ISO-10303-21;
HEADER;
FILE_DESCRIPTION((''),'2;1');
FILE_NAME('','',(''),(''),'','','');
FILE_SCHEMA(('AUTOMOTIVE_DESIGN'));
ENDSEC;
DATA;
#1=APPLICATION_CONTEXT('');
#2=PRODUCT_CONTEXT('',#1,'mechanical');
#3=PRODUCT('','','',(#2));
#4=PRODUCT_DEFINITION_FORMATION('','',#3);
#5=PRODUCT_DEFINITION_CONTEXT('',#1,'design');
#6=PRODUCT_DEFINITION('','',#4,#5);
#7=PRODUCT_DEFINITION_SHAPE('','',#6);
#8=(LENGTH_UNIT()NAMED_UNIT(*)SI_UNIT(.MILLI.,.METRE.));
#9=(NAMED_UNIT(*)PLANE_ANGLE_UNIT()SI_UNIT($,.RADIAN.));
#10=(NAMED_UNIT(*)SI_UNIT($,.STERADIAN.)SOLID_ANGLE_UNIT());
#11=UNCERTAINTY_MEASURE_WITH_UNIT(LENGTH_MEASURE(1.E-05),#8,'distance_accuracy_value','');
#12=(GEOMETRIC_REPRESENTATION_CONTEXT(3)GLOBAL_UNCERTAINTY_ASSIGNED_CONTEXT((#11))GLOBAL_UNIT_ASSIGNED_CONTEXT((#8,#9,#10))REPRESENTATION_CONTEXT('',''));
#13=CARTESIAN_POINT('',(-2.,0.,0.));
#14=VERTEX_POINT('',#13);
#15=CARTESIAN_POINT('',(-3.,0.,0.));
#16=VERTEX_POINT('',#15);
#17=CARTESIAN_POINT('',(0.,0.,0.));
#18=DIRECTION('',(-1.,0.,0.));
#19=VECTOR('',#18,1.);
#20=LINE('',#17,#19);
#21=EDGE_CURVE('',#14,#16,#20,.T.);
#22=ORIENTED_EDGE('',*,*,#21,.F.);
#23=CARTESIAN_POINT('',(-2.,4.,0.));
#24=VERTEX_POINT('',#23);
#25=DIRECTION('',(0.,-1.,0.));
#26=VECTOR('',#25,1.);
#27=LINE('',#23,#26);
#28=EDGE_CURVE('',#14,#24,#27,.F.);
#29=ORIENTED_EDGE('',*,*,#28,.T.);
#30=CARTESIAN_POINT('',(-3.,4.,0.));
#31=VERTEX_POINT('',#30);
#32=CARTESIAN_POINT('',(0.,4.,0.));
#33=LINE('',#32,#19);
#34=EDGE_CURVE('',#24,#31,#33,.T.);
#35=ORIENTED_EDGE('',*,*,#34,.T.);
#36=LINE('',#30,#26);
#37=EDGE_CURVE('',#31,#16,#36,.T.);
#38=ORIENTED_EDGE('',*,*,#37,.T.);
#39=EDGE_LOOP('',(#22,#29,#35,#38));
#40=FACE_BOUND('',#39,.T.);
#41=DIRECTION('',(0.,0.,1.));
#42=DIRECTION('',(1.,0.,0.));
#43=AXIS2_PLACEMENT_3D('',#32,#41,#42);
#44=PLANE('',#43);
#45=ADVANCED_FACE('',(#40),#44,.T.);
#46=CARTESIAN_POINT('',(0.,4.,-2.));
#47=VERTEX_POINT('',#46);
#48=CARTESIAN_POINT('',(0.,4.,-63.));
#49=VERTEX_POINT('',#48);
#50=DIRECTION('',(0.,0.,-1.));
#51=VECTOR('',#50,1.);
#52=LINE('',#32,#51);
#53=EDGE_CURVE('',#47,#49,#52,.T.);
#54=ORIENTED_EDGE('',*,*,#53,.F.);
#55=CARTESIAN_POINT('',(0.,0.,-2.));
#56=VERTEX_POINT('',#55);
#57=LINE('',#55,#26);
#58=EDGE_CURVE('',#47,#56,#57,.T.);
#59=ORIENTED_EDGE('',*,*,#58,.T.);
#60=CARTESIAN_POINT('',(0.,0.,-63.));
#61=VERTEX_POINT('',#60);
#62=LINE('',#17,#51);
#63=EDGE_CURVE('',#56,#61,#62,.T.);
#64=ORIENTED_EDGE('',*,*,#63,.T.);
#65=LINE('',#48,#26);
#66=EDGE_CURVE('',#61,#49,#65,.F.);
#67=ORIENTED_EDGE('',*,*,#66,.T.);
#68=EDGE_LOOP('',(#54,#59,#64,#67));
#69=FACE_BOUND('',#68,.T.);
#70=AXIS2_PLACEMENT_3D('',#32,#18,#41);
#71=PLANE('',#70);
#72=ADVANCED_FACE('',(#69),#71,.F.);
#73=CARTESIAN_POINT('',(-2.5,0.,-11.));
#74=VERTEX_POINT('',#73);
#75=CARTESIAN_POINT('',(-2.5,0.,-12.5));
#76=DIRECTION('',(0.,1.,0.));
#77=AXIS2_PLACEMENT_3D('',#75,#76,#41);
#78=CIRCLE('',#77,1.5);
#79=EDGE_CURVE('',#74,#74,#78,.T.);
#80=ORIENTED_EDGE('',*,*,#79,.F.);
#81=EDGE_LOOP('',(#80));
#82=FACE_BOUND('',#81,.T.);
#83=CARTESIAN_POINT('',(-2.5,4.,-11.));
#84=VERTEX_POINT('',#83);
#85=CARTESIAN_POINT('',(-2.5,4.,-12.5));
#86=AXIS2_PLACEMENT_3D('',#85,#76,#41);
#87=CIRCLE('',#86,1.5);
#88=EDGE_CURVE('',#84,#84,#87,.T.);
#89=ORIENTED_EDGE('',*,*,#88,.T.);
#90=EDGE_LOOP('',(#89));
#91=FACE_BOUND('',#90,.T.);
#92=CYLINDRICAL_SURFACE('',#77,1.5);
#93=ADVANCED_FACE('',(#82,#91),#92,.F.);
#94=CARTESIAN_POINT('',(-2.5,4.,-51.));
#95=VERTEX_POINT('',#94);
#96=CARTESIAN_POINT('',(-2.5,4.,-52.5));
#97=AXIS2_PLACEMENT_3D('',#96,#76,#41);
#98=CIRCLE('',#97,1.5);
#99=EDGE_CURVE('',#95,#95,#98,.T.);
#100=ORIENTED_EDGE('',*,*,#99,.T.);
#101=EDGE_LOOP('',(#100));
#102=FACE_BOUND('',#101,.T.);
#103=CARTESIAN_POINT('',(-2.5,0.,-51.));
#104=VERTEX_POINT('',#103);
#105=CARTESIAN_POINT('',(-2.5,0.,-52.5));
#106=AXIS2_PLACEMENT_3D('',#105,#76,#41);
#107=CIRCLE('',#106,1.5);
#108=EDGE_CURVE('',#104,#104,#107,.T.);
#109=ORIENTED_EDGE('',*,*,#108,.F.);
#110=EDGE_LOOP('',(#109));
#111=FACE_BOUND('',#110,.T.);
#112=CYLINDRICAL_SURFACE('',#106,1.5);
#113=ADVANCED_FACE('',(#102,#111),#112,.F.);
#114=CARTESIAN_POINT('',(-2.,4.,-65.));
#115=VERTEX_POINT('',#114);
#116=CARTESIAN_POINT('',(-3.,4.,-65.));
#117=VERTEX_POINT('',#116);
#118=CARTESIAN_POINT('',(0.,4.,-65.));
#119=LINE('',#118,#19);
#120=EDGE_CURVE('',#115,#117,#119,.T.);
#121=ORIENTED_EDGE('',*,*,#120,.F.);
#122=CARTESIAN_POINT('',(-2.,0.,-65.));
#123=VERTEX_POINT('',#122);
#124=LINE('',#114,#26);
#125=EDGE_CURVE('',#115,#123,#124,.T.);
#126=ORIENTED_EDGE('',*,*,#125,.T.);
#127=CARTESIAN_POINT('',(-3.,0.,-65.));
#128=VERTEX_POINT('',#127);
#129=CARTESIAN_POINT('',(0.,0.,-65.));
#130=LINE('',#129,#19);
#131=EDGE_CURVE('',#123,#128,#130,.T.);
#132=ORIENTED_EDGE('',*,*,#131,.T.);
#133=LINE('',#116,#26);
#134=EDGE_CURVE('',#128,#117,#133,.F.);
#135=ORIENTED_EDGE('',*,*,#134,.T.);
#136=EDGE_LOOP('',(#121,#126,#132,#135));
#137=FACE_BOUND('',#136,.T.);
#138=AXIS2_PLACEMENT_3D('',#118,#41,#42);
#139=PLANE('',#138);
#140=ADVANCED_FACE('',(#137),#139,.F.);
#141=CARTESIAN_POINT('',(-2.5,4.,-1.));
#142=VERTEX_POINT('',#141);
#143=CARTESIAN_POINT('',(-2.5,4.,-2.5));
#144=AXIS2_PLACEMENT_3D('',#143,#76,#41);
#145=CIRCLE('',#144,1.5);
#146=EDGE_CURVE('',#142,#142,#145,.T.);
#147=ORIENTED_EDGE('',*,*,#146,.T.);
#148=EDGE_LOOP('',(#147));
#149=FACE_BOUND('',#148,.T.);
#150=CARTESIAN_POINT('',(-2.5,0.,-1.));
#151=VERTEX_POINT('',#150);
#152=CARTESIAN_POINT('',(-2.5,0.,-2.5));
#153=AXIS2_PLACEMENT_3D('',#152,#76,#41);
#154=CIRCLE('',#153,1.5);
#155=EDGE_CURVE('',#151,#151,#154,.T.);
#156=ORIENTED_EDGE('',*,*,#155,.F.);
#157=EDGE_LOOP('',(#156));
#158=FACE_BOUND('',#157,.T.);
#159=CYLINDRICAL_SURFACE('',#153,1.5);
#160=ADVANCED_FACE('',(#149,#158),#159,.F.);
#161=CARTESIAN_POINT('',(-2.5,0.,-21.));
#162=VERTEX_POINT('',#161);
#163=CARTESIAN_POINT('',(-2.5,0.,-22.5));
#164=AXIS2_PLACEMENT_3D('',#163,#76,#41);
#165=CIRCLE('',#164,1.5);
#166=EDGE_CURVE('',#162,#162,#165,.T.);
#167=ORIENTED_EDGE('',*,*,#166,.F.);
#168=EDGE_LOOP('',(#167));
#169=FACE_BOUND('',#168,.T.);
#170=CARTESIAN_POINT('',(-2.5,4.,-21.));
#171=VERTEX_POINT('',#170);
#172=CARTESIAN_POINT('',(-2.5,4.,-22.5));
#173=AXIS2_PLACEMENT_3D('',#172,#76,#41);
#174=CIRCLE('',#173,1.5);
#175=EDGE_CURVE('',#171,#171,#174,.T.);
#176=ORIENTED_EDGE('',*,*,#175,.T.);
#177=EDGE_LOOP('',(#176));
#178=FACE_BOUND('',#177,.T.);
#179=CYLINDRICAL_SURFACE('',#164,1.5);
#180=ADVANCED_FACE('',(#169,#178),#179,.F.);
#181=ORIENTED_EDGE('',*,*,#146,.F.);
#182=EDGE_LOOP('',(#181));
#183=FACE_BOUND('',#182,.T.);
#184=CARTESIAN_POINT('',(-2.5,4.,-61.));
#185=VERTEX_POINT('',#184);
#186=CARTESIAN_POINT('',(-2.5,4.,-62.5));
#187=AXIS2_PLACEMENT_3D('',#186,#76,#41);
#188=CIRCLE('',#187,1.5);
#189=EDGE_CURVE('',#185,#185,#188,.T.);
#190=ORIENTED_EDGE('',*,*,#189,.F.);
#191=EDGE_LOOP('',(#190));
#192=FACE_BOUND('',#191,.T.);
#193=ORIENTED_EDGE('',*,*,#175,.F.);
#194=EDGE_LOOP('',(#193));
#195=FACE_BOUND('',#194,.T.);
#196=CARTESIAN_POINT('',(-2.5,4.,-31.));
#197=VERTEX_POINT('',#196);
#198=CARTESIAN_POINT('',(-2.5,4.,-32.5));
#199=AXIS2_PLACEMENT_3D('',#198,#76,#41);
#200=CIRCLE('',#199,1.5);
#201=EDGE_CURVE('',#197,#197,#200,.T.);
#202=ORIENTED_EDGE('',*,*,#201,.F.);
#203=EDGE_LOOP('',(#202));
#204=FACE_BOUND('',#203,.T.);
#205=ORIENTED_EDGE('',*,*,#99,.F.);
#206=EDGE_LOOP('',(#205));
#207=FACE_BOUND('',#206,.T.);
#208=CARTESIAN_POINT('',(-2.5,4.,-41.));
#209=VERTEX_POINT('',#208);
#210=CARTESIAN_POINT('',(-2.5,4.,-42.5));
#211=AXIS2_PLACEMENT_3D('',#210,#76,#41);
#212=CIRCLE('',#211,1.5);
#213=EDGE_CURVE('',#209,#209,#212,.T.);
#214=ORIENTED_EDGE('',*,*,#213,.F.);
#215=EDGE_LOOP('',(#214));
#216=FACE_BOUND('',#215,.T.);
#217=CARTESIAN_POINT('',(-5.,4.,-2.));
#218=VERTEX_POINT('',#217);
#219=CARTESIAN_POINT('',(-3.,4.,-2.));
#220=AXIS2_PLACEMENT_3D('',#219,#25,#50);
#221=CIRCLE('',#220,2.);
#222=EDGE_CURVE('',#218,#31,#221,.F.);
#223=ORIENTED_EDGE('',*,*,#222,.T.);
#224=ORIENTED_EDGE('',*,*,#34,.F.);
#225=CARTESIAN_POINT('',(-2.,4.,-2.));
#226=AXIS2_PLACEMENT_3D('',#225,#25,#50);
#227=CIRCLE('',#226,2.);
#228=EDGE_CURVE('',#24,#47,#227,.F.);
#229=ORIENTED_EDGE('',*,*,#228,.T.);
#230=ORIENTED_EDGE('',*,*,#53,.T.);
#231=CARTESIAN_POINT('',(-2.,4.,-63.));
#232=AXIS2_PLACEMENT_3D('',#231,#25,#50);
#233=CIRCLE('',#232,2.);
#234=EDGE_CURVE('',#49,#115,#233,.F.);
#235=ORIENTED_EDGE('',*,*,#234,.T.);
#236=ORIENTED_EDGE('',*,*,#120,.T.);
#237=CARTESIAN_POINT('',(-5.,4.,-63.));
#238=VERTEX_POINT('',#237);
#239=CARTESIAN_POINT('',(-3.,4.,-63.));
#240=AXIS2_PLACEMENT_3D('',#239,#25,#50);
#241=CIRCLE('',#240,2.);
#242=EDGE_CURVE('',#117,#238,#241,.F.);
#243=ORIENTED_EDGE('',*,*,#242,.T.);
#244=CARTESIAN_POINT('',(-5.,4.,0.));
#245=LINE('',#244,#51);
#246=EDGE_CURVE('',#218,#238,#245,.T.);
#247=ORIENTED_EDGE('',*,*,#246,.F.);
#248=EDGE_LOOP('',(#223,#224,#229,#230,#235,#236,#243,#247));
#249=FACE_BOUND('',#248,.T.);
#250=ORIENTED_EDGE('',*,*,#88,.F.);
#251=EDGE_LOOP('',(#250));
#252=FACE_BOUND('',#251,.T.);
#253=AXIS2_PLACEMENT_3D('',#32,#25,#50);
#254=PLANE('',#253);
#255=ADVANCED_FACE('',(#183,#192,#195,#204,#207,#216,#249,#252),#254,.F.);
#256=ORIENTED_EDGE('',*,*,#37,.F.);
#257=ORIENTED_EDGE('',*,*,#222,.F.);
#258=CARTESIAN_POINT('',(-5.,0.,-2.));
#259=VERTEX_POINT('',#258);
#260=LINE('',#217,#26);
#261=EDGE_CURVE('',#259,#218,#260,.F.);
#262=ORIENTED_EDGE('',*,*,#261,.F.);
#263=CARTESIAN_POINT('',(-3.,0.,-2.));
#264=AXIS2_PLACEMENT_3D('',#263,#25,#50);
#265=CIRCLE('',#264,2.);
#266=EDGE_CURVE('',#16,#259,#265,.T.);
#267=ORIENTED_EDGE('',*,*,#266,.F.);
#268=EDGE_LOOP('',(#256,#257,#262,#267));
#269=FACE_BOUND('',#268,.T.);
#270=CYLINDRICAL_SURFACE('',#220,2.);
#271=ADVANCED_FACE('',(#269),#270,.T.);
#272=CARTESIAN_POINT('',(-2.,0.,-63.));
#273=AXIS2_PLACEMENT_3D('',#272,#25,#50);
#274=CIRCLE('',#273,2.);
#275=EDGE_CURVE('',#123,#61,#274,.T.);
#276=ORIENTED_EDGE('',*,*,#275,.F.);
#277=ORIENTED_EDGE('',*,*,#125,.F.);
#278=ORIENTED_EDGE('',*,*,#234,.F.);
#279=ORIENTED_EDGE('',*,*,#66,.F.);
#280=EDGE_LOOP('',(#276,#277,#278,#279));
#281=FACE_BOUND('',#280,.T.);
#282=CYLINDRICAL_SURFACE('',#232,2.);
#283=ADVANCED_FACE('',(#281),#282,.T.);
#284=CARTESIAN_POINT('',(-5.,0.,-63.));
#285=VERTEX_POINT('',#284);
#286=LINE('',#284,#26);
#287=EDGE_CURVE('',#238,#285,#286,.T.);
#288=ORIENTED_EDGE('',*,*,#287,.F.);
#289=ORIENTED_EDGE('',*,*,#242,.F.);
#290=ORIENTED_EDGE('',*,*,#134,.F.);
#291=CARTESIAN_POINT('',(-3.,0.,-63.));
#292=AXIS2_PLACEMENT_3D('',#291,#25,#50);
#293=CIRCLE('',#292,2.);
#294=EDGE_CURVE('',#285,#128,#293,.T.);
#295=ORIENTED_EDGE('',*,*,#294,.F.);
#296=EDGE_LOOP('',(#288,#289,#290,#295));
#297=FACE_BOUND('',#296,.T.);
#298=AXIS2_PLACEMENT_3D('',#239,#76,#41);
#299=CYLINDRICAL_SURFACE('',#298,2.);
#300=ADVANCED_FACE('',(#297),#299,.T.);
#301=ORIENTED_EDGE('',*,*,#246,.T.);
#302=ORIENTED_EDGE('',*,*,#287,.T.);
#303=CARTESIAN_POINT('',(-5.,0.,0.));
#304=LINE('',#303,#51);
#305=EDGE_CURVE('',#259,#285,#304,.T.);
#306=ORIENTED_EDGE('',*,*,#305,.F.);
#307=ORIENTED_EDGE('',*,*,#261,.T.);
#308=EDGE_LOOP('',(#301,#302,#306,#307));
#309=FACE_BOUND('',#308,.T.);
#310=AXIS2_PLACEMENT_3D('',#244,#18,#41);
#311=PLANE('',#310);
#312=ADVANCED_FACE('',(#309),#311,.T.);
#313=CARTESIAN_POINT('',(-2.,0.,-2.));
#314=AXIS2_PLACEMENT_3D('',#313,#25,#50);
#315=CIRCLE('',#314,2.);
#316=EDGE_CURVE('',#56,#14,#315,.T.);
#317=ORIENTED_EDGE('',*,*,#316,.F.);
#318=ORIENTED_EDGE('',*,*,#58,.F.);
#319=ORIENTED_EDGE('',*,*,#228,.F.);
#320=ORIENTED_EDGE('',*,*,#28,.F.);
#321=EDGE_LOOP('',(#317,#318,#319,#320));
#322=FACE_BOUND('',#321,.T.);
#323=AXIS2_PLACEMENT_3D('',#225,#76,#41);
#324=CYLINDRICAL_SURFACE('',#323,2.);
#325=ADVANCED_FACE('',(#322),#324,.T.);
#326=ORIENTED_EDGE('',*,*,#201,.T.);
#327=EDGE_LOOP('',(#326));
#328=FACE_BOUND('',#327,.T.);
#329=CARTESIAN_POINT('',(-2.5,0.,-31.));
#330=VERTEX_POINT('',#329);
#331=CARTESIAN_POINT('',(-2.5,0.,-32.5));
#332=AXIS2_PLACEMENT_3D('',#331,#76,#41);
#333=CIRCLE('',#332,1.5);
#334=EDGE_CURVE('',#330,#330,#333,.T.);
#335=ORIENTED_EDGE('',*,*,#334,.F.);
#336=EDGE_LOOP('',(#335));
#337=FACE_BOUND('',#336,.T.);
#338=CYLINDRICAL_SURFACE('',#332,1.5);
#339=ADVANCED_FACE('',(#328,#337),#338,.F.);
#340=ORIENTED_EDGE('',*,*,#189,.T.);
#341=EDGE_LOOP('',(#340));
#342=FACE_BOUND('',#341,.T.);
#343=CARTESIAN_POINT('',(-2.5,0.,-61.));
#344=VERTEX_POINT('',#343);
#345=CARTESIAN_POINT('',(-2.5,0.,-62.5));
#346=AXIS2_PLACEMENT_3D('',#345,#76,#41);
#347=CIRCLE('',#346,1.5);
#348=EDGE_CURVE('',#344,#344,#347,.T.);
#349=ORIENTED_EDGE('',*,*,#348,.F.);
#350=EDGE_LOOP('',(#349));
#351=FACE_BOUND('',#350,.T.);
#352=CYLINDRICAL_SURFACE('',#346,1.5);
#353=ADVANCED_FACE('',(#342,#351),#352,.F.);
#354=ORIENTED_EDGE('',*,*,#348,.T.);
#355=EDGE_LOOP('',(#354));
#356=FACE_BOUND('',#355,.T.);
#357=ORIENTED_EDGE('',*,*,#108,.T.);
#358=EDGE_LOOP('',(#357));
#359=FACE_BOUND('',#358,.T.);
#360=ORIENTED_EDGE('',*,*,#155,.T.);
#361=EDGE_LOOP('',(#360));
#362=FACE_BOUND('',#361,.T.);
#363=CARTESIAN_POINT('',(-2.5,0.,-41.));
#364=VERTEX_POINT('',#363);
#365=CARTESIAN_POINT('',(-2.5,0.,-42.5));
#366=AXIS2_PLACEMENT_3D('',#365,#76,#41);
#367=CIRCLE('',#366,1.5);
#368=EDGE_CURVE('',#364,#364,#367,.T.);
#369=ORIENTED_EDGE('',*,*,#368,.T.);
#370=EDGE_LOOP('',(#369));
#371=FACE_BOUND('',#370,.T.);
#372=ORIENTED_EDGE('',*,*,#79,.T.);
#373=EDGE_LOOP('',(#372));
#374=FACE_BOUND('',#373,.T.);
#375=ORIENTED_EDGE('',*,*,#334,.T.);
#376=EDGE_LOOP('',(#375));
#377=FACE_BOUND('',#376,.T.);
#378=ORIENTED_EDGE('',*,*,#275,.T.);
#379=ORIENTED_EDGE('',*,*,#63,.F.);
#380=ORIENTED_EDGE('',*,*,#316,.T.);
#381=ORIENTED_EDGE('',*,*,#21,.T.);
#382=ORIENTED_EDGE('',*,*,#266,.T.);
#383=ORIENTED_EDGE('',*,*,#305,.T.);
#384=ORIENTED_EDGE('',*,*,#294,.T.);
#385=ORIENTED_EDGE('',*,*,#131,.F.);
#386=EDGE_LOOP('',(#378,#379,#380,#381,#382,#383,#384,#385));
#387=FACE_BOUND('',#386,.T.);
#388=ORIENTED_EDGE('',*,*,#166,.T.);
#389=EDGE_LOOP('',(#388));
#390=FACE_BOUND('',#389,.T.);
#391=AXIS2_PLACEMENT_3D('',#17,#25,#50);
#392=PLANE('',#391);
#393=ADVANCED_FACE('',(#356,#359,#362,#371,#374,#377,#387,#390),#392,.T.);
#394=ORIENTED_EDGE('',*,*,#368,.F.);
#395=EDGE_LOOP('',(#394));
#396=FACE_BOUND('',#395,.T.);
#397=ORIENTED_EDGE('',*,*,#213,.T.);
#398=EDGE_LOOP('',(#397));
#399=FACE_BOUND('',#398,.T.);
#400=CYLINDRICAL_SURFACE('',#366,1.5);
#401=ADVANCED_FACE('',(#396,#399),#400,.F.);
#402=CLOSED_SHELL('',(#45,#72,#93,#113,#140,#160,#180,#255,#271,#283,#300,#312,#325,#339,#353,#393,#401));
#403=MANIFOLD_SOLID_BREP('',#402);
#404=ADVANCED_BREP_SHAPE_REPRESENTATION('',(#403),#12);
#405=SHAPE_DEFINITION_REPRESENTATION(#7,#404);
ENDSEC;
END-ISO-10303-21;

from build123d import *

# Parameters (mm, degrees)
SKETCH2_W           = 5
SKETCH2_H           = 65
BOSS_EXTRUDE1_DEPTH = 4
SKETCH3_R           = 1.5
CUT_EXTRUDE1_DEPTH  = 4
FILLET2_R           = 2


with BuildPart() as part:
    # Sketch2 → Boss-Extrude1 (new body)
    with BuildSketch(Plane(origin=(0, 0, 0), x_dir=(1, 0, 0), z_dir=(0, 1, 0))):
        with Locations((-2.5, 32.5)):
            Rectangle(SKETCH2_W, SKETCH2_H)
    extrude(amount=BOSS_EXTRUDE1_DEPTH)

    # Sketch3 → Cut-Extrude1 (cut)
    with BuildSketch(Plane(origin=(0, 4, 0), x_dir=(1, 0, 0), z_dir=(0, 1, 0))):
        with Locations((-2.5, 32.5)):
            Circle(SKETCH3_R)
        with Locations((-2.5, 22.5)):
            Circle(SKETCH3_R)
        with Locations((-2.5, 12.5)):
            Circle(SKETCH3_R)
        with Locations((-2.5, 2.5)):
            Circle(SKETCH3_R)
        with Locations((-2.5, 42.5)):
            Circle(SKETCH3_R)
        with Locations((-2.5, 52.5)):
            Circle(SKETCH3_R)
        with Locations((-2.5, 62.5)):
            Circle(SKETCH3_R)
    extrude(amount=-CUT_EXTRUDE1_DEPTH, mode=Mode.SUBTRACT)

    # Fillet2
    fillet2_edges = [part.edges().sort_by_distance(p)[0] for p in [
        (0, 2, 0),
        (0, 2, -65),
        (-5, 2, -65),
        (-5, 2, 0),
    ]]
    fillet(fillet2_edges, radius=FILLET2_R)


solid = part.part
